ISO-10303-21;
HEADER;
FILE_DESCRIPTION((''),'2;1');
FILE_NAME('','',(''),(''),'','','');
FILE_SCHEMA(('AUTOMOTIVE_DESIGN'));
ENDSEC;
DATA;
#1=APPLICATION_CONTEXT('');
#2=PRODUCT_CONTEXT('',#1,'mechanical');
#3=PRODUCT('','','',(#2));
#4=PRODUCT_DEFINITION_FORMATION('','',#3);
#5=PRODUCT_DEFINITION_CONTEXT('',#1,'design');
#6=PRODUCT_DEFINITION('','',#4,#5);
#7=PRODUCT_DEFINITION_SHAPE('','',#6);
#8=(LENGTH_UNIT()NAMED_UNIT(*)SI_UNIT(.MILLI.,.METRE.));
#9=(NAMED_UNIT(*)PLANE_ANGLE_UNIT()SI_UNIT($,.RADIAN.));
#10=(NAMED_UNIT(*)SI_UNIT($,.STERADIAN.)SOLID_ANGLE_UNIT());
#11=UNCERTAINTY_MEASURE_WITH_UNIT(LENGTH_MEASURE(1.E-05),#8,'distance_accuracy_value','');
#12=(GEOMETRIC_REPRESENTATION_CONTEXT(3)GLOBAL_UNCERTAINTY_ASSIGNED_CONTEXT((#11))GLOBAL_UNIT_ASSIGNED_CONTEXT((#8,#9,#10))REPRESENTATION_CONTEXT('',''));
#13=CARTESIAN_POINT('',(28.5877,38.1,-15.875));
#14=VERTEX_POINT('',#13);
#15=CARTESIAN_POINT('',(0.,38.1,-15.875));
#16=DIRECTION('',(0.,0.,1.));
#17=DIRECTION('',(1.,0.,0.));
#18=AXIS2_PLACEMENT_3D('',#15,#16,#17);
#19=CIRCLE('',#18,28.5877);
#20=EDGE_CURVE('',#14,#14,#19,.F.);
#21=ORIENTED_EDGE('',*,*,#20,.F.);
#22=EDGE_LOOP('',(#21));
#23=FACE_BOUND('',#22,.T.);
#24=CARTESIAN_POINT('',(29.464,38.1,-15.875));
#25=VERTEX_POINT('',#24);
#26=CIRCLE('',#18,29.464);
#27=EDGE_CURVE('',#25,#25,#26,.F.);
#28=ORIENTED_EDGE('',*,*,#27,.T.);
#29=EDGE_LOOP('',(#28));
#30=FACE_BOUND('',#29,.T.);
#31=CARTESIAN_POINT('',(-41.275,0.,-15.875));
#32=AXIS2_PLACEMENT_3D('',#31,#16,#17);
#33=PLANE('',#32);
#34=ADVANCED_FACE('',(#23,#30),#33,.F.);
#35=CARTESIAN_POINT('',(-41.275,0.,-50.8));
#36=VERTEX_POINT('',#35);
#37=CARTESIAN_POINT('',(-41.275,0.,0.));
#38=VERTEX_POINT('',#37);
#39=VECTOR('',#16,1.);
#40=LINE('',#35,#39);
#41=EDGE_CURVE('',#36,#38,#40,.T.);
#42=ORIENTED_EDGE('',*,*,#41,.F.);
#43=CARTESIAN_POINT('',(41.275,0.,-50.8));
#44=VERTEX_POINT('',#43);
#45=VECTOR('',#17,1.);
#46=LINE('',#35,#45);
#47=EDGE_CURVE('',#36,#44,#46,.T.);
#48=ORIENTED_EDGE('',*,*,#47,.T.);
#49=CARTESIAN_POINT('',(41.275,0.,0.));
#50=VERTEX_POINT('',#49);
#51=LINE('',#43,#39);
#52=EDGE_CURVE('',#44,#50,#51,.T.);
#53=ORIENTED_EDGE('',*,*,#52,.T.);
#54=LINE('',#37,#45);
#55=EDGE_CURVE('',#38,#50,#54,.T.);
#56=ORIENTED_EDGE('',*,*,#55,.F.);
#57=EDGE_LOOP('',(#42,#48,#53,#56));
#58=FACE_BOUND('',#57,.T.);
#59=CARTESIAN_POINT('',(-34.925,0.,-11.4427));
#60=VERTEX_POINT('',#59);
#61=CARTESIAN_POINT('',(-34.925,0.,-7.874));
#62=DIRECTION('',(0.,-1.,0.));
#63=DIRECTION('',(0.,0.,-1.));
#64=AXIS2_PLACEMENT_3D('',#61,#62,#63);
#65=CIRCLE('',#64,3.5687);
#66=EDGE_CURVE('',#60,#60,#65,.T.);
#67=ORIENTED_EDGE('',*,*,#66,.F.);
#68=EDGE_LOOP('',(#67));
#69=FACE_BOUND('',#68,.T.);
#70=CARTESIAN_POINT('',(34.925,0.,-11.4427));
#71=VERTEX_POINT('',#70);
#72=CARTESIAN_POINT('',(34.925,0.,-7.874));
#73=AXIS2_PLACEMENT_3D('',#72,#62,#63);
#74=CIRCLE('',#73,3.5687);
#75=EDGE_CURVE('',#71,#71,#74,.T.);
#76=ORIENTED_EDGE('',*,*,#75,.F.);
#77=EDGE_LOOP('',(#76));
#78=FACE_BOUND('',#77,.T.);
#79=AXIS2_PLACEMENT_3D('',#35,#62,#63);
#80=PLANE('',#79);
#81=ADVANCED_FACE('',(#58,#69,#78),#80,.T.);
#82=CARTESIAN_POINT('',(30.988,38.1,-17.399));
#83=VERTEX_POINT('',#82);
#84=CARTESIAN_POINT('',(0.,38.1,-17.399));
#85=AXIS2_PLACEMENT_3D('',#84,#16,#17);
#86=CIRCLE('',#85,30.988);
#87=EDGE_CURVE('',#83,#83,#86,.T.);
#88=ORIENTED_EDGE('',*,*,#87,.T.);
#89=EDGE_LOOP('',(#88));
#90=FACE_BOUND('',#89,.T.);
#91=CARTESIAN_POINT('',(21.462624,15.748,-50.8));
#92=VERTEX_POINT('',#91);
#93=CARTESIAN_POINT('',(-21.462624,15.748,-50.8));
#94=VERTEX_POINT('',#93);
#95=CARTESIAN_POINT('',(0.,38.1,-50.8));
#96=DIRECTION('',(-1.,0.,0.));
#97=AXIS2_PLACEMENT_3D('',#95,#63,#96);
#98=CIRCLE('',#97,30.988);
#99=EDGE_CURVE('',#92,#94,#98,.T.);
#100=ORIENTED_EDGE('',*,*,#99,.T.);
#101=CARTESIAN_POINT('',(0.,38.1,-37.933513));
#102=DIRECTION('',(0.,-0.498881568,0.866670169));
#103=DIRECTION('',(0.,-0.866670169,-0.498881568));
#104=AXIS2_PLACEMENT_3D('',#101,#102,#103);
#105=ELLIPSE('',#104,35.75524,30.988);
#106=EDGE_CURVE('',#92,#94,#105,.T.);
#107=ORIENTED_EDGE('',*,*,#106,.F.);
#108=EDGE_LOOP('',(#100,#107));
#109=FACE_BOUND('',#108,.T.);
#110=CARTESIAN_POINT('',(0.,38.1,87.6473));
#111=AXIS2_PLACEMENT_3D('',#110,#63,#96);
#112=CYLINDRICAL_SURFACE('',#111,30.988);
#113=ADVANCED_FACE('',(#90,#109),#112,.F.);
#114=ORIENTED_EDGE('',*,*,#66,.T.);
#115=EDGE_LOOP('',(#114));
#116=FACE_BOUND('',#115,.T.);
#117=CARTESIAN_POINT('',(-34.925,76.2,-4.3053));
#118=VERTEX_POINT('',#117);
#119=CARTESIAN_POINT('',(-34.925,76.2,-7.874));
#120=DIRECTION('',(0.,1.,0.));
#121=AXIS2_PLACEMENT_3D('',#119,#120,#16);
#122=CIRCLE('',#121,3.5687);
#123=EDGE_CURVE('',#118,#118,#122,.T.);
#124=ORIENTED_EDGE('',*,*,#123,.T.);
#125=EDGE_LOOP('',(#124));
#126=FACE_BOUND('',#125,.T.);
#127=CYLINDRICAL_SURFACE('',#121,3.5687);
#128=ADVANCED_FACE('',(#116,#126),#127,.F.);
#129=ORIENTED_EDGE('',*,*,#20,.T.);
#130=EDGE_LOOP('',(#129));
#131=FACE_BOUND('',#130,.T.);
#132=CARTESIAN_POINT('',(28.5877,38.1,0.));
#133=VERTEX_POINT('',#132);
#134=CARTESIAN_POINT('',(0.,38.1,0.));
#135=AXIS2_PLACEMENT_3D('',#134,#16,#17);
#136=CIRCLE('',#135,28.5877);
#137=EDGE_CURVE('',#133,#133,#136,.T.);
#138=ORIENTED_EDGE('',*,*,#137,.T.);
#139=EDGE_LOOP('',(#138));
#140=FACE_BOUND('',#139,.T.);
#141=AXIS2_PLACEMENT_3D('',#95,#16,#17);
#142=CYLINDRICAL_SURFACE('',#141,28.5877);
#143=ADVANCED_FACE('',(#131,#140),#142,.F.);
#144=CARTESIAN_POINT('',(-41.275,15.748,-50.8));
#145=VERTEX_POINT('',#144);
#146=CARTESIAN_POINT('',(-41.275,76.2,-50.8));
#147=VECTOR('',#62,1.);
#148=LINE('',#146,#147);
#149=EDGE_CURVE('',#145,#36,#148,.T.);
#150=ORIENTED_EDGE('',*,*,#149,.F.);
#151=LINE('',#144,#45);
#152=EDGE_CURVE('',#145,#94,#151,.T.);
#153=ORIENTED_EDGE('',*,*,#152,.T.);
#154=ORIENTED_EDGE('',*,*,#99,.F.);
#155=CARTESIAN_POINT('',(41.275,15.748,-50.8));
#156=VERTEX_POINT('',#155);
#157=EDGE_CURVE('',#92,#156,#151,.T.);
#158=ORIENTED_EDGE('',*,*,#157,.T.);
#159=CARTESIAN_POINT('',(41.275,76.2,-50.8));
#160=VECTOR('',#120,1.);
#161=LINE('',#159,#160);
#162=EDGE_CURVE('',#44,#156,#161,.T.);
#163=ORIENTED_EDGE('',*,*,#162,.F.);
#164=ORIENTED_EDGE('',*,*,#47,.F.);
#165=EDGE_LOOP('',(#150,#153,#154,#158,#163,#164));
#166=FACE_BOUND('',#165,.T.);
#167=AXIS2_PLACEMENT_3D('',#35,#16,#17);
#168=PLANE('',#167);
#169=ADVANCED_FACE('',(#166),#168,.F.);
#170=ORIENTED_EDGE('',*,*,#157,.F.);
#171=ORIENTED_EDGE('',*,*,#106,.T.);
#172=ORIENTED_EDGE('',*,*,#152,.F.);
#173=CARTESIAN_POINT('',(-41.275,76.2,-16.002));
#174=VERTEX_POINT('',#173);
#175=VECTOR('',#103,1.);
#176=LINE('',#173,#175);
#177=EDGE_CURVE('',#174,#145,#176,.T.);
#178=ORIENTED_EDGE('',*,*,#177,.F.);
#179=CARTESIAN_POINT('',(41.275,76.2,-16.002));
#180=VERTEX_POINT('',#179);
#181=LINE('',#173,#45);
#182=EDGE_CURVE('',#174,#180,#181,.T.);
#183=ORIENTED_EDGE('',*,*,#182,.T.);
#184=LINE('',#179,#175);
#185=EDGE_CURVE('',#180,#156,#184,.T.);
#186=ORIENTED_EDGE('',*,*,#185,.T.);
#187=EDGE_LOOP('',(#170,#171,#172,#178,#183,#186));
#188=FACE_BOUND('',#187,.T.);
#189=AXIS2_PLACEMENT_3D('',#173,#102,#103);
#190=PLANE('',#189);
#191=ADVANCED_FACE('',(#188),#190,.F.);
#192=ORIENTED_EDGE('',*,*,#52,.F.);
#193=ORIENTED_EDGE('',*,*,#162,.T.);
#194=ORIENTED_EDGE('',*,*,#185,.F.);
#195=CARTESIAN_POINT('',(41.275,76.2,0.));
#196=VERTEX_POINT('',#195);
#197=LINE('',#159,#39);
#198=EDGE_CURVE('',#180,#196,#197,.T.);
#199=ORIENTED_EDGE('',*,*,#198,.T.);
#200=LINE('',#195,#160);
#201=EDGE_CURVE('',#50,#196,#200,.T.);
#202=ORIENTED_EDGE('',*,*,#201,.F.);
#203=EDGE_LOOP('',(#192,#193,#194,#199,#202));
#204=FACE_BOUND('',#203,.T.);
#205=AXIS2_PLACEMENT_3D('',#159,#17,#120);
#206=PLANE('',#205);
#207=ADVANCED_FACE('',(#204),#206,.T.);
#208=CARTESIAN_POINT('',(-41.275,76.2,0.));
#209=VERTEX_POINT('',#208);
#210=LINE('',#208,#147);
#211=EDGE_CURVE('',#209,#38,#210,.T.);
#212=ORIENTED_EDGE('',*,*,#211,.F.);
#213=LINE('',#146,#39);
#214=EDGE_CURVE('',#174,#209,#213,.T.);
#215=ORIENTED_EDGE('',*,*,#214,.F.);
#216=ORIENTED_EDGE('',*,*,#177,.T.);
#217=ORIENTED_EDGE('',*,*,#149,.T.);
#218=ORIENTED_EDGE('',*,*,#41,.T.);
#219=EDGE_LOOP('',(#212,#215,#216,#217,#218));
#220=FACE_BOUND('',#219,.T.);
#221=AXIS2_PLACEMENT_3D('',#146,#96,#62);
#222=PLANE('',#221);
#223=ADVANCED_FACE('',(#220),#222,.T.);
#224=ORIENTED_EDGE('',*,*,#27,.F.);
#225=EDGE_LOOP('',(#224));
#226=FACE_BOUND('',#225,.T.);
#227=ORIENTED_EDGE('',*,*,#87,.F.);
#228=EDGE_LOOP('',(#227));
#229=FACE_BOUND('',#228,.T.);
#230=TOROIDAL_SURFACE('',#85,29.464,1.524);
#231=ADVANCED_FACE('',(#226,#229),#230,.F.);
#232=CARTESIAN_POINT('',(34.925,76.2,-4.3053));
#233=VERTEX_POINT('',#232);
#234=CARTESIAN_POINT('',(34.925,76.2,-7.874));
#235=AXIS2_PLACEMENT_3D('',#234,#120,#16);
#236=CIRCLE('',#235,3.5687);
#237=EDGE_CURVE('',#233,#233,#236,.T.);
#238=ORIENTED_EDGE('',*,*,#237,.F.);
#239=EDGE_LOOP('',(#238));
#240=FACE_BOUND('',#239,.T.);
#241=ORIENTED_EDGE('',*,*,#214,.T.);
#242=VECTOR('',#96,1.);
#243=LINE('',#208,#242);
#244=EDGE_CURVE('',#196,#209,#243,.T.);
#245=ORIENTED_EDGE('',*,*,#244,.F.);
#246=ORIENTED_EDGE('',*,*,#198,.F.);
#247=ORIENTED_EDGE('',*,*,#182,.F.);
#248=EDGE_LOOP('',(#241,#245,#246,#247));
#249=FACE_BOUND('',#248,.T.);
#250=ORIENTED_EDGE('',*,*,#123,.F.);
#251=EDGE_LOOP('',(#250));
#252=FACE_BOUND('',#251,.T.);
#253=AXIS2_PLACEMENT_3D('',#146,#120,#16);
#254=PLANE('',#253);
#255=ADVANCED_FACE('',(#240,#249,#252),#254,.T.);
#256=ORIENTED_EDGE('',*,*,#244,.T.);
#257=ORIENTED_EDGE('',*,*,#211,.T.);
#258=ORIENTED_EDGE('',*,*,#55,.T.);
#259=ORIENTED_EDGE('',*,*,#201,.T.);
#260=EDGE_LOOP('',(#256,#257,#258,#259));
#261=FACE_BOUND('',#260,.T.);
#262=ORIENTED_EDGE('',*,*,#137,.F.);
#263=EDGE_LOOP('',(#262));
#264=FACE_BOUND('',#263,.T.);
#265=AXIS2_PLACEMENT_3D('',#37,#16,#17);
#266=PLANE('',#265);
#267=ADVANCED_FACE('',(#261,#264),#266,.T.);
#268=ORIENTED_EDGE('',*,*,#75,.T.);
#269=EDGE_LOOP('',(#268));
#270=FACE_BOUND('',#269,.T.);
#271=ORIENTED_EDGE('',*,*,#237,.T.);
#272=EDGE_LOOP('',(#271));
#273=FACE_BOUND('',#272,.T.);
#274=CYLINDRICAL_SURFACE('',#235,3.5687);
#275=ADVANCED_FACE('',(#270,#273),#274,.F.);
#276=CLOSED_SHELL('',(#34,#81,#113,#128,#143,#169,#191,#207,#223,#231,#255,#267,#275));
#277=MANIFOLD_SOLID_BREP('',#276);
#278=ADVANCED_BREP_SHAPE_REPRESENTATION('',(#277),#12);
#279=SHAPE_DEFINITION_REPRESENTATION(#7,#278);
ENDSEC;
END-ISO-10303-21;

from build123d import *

# Parameters (mm, degrees)
SKETCH1_W          = 82.55
SKETCH1_H          = 76.2
SKETCH1_R          = 28.5877
EXTRUDE1_DEPTH     = 50.8
CUT_EXTRUDE1_DEPTH = 83.55
SKETCH3_R          = 30.988
CUT_EXTRUDE2_DEPTH = 34.925
FILLET1_R          = 1.524
HOLE1_D            = 7.1374
HOLE1_DEPTH        = 76.2


with BuildPart() as part:
    # Sketch1 → Extrude1 (new body)
    with BuildSketch(Plane.XY):
        with Locations((0, 38.1)):
            Rectangle(SKETCH1_W, SKETCH1_H)
        with Locations((0, 38.1)):
            Circle(SKETCH1_R, mode=Mode.SUBTRACT)
    extrude(amount=-EXTRUDE1_DEPTH)

    # Sketch2 → Cut-Extrude1 (cut, through all)
    with BuildSketch(Plane(origin=(41.275, 0, 0), x_dir=(0, 0, -1), z_dir=(1, 0, 0))):
        Polygon((16.002, 76.2), (50.8, 15.748), (50.8, 76.2), align=None)
    extrude(amount=-CUT_EXTRUDE1_DEPTH, mode=Mode.SUBTRACT)

    # Sketch3 → Cut-Extrude2 (cut)
    with BuildSketch(Plane(origin=(0, 0, -50.8), x_dir=(-1, 0, 0), z_dir=(0, 0, -1))):
        with Locations(Location((0, 38.1, 0), (0, 0, 313.83713531))):  # turned: the seam where the file's is
            Circle(SKETCH3_R)
    extrude(amount=-CUT_EXTRUDE2_DEPTH, mode=Mode.SUBTRACT)

    # Fillet1
    fillet1_edges = [part.edges().sort_by_distance(p)[0] for p in [
        (21.462624257, 60.452, -15.875),
    ]]
    fillet(fillet1_edges, radius=FILLET1_R)

    # Hole1
    with Locations(Plane(origin=(0, 76.2, 0), x_dir=(-1, 0, 0), z_dir=(0, 1, 0))):
        with Locations((34.925, -7.874), (-34.925, -7.874)):
            Hole(HOLE1_D / 2, depth=HOLE1_DEPTH)


solid = part.part
